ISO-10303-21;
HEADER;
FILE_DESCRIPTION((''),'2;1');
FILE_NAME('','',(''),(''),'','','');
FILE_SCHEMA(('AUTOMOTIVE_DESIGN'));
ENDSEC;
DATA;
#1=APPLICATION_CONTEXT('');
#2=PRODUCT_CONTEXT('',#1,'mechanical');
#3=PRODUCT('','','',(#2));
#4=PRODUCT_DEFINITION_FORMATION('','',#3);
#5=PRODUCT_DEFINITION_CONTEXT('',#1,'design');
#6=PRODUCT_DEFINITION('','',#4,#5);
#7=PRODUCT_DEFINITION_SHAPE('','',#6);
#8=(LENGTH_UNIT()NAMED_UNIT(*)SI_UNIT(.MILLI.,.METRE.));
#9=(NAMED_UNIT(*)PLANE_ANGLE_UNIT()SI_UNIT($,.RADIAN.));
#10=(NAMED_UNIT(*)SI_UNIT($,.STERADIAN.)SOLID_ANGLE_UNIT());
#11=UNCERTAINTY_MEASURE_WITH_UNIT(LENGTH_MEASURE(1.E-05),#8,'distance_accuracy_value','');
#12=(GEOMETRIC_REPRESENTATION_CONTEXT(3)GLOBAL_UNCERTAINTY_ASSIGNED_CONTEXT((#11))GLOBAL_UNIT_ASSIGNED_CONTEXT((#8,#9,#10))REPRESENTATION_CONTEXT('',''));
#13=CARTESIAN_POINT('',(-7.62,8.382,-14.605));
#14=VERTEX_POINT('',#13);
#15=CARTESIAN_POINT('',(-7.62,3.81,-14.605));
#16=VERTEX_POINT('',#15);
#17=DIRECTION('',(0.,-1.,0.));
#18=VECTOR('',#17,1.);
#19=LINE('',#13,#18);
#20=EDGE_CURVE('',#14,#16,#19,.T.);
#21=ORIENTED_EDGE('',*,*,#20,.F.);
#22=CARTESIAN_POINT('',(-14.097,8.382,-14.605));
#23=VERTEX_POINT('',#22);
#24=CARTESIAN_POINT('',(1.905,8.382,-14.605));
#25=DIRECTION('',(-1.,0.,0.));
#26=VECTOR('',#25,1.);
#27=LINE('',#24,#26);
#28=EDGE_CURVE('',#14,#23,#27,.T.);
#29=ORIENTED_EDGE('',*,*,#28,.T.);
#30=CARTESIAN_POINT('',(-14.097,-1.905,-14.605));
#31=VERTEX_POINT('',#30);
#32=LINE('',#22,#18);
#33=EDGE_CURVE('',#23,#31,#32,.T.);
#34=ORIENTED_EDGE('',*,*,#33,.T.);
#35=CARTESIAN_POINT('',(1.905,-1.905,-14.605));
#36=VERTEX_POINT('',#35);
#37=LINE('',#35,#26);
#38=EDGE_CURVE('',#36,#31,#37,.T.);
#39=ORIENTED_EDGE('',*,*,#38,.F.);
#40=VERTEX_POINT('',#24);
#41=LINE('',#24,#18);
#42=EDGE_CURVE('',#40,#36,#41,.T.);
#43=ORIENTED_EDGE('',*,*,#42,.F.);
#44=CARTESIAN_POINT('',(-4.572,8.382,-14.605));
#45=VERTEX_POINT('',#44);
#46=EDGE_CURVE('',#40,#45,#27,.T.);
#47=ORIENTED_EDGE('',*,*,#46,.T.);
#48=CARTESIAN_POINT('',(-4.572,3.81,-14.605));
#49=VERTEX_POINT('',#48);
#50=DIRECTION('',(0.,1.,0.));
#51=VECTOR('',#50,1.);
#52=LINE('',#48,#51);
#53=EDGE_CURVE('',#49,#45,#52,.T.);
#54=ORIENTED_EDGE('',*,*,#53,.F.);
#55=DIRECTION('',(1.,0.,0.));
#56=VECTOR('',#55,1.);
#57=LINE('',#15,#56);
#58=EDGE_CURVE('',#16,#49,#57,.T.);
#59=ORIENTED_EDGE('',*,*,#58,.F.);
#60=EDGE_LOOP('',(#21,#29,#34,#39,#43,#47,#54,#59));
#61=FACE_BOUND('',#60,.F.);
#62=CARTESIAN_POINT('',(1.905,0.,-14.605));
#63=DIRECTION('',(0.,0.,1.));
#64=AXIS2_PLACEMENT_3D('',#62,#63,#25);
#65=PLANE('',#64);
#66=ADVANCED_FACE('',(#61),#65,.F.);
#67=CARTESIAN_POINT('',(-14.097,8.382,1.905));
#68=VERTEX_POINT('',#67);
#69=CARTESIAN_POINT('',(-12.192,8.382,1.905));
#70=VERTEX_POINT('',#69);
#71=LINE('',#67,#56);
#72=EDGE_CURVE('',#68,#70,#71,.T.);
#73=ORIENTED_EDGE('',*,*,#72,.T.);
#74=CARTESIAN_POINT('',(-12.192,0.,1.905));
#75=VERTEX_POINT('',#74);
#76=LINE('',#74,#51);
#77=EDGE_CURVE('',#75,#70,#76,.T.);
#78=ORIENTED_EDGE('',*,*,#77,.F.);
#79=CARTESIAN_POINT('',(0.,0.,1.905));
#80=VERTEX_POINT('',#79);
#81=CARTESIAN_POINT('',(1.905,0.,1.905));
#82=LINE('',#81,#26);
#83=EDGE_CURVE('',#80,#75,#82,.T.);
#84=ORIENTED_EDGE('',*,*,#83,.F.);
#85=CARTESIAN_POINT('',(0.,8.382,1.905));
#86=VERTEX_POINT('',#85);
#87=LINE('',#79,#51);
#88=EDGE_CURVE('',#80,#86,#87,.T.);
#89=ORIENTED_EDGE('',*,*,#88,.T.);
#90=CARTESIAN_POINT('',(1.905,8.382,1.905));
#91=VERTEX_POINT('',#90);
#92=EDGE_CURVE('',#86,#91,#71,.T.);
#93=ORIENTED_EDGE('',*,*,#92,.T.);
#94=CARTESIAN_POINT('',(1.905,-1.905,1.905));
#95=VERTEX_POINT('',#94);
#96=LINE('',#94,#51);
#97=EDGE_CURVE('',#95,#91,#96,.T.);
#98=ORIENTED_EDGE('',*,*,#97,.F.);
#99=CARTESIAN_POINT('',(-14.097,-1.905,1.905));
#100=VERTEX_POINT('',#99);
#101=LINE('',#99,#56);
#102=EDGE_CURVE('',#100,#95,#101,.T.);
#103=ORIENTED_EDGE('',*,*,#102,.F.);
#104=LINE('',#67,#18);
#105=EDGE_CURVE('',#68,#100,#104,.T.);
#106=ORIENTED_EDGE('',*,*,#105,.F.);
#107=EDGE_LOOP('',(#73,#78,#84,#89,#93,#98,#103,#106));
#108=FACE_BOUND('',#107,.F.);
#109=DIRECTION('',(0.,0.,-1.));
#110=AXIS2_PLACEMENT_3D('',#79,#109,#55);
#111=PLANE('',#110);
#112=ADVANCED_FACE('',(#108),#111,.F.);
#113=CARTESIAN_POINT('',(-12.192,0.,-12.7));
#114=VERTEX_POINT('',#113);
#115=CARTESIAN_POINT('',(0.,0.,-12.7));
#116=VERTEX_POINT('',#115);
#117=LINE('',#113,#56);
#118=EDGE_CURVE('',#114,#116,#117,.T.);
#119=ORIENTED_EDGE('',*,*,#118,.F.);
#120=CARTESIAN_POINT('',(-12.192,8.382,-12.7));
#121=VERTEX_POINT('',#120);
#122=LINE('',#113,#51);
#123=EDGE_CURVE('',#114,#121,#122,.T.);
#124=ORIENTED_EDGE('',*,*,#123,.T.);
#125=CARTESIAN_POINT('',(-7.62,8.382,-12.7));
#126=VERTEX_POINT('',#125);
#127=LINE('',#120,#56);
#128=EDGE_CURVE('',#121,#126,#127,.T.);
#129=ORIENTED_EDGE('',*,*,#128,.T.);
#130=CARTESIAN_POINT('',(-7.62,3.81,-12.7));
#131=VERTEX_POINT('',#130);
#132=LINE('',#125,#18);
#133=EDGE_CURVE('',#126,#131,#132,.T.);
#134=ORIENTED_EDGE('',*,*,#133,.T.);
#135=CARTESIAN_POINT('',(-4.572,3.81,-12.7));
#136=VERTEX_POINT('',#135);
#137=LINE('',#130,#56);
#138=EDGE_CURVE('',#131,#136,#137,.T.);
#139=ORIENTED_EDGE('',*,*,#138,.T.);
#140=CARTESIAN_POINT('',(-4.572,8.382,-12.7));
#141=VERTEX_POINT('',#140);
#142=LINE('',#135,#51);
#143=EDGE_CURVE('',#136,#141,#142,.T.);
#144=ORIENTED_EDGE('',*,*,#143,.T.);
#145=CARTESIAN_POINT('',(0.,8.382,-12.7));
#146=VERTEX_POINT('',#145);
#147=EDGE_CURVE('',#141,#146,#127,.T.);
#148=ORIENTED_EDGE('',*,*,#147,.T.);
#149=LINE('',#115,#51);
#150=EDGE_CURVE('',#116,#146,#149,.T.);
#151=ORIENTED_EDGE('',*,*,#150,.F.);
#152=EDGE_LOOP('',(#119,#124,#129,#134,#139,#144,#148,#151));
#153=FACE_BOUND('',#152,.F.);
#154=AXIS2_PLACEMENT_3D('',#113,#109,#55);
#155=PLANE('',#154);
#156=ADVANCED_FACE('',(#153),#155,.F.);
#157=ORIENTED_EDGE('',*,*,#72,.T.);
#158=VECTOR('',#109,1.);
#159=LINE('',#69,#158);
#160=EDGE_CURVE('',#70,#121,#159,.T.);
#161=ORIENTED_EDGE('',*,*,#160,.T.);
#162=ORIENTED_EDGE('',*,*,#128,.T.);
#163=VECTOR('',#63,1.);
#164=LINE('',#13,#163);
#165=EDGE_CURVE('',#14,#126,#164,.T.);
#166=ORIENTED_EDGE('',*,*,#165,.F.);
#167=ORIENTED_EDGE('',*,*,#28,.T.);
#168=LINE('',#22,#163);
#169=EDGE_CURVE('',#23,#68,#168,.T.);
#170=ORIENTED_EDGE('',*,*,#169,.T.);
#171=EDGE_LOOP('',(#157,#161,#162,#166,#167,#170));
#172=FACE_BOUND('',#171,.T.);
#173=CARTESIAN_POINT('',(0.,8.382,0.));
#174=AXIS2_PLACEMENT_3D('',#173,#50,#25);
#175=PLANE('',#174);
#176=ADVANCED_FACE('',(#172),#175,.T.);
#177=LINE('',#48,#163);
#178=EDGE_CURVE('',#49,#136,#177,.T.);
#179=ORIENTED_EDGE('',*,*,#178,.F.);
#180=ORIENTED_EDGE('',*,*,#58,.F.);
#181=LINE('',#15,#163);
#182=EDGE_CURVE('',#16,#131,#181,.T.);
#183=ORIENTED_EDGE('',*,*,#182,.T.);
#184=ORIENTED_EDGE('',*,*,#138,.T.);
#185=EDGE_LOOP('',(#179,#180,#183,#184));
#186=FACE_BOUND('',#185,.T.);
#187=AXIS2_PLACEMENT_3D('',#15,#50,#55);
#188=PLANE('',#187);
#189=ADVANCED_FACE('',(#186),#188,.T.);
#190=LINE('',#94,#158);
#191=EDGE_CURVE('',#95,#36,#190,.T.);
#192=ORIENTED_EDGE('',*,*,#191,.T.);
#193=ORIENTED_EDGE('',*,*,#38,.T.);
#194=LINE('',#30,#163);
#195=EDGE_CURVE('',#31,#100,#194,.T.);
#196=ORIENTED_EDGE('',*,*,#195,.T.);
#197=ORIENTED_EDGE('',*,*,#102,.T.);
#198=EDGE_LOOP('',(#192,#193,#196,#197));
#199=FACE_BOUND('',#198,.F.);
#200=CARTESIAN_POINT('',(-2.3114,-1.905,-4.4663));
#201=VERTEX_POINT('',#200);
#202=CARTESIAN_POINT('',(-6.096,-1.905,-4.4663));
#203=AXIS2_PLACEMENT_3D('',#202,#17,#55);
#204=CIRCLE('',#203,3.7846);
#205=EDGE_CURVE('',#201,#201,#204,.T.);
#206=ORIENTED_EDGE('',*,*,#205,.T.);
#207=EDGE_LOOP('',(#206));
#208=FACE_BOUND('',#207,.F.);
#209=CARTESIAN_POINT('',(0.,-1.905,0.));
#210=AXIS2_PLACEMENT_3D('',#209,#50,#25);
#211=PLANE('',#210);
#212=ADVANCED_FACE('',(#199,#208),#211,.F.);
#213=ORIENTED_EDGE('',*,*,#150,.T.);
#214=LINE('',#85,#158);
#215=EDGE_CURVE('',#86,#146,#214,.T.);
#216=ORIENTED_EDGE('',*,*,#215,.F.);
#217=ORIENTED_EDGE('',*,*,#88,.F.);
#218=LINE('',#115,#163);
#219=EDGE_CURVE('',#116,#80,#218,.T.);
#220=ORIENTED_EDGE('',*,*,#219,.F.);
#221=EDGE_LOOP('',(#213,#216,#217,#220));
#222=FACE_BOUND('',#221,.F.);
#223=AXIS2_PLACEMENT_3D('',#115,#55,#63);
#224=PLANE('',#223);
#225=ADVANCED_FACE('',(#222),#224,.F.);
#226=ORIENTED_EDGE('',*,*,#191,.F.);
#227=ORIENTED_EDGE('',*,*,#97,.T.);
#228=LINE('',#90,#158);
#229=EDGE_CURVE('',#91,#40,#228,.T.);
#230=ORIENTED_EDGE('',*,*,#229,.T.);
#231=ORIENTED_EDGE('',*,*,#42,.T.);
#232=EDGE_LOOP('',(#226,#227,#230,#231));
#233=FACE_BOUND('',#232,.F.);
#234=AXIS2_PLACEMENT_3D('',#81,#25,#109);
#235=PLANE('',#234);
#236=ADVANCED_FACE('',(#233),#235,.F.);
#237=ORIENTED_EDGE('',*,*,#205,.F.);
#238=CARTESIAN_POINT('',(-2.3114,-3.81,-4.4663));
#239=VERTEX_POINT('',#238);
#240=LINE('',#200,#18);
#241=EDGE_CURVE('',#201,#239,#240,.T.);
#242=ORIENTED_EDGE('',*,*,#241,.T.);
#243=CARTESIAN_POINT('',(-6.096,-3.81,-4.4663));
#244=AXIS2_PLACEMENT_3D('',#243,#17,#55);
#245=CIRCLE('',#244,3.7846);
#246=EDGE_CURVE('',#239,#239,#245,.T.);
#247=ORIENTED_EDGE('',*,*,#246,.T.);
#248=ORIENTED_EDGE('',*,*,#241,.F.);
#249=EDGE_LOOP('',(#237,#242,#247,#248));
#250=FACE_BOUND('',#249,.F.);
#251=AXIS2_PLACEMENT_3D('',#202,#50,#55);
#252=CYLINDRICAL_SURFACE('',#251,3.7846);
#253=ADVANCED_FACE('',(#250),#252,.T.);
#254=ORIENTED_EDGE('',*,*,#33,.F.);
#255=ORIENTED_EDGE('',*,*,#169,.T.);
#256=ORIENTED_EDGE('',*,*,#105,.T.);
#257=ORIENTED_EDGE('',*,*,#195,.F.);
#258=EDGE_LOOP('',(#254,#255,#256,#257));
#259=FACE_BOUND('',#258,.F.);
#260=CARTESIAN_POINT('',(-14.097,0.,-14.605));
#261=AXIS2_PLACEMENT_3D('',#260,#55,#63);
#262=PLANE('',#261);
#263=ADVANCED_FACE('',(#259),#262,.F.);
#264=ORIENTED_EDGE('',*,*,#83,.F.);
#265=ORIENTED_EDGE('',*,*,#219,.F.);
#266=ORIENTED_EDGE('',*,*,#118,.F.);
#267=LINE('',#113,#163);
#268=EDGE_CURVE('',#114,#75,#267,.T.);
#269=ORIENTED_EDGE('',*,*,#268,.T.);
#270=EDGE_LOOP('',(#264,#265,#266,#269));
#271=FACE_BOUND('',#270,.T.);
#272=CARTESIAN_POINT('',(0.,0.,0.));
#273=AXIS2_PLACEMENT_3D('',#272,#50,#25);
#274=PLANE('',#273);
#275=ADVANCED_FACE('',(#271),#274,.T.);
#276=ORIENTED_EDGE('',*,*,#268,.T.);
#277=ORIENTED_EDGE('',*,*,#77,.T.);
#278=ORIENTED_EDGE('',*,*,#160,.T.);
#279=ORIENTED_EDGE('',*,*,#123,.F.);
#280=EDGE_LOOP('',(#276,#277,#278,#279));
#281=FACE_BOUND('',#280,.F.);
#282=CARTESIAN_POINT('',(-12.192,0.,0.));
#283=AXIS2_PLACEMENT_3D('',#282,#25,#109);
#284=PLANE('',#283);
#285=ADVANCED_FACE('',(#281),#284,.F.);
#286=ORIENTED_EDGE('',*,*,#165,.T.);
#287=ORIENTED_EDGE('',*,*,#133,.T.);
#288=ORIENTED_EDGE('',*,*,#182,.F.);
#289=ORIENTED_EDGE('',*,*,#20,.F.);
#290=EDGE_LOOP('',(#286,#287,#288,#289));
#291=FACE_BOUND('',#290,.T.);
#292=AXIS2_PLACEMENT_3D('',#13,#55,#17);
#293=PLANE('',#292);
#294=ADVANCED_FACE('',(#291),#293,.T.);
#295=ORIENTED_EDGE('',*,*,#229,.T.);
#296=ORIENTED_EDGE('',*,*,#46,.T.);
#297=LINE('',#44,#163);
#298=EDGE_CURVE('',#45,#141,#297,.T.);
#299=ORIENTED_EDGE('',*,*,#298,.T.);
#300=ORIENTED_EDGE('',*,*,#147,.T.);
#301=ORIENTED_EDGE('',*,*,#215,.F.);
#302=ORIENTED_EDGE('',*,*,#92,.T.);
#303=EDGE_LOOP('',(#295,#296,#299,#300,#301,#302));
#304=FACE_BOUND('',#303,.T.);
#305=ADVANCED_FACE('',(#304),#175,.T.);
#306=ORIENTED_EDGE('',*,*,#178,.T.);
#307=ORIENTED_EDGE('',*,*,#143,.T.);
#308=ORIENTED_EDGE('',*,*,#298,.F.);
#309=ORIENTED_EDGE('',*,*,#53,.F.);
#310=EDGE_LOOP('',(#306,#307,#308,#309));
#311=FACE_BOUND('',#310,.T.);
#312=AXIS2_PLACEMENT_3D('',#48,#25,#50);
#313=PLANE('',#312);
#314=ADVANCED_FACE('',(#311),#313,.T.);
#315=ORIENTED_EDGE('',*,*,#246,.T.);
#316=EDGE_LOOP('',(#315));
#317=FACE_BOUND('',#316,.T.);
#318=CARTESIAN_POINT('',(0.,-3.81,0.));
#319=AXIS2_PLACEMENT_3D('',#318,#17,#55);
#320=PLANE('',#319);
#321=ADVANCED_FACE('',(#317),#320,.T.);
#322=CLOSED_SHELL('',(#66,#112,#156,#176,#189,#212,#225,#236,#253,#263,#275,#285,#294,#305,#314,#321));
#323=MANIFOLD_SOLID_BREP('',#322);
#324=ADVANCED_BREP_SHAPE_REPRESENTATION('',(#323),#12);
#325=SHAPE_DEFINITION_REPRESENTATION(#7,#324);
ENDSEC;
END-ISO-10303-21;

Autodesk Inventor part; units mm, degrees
ref_plane "YZ Plane" through (0, 0, 0) normal (1, 0, 0) x (0, 1, 0)
ref_plane "XZ Plane" through (0, 0, 0) normal (0, 1, 0) x (-1, 0, 0)
ref_plane "XY Plane" through (0, 0, 0) normal (0, 0, 1) x (1, 0, 0)
sketch "Sketch1" plane through (0, 0, 0) normal (0, 1, 0) x (-1, 0, 0)
  line L0 (0, 0) -> (12.192, 0)
  line L1 (12.192, 0) -> (12.192, -12.7)
  line L2 (12.192, -12.7) -> (0, -12.7)
  line L3 (0, -12.7) -> (0, 0)
  line L4 (14.097, -14.605) -> (14.097, 1.905)
  line L5 (14.097, 1.905) -> (-1.905, 1.905)
  line L6 (-1.905, 1.905) -> (-1.905, -14.605)
  line L7 (-1.905, -14.605) -> (14.097, -14.605)
  line L8 (12.192, 0) -> (12.192, 1.905)
  line L9 (0, 0) -> (0, 1.905)
  dimension "d0" = 12.192
  dimension "d1" = 12.7
  dimension "d2" = 1.905
extrude "Extrusion1" add sketch "Sketch1" along normal blind 8.382 contours L3 L2 L1 L8 L5 L4 L7 L6 L9
extrude "Extrusion2" add sketch "Sketch1" against normal blind 1.905
sketch "Sketch2" plane through (0, -1.905, 0) normal (0, -1, 0) x (1, 0, 0)
  circle A0 centre (-6.096, -4.4663) radius 3.7846
  line L0 (-14.097, 1.905) -> (-14.097, -14.605) projected
  point P0 (0, 0)
  dimension "d7" = 7.5692
  dimension "d8" = 8.001
extrude "Extrusion3" add sketch "Sketch2" along normal blind 1.905
sketch "Sketch3" plane through (1.905, 8.382, -14.605) normal (0, 0, -1) x (-1, 0, 0)
  line L0 (0, 0) -> (16.002, 0) projected
  line L1 (6.477, 0) -> (9.525, 0)
  line L2 (9.525, 0) -> (9.525, -4.572)
  line L3 (9.525, -4.572) -> (6.477, -4.572)
  line L4 (6.477, -4.572) -> (6.477, 0)
  line L5 (14.097, -8.382) -> (1.905, -8.382) projected
  line L6 (0, -10.287) -> (0, 0) projected
  line L7 (1.905, -8.382) -> (1.905, 0) projected
  dimension "d11" = 3.81
  dimension "d13" = 3.048
  dimension "d14" = 4.572
extrude "Extrusion4" cut sketch "Sketch3" against normal blind 1.905
properties part number "SolenoidHolder"
